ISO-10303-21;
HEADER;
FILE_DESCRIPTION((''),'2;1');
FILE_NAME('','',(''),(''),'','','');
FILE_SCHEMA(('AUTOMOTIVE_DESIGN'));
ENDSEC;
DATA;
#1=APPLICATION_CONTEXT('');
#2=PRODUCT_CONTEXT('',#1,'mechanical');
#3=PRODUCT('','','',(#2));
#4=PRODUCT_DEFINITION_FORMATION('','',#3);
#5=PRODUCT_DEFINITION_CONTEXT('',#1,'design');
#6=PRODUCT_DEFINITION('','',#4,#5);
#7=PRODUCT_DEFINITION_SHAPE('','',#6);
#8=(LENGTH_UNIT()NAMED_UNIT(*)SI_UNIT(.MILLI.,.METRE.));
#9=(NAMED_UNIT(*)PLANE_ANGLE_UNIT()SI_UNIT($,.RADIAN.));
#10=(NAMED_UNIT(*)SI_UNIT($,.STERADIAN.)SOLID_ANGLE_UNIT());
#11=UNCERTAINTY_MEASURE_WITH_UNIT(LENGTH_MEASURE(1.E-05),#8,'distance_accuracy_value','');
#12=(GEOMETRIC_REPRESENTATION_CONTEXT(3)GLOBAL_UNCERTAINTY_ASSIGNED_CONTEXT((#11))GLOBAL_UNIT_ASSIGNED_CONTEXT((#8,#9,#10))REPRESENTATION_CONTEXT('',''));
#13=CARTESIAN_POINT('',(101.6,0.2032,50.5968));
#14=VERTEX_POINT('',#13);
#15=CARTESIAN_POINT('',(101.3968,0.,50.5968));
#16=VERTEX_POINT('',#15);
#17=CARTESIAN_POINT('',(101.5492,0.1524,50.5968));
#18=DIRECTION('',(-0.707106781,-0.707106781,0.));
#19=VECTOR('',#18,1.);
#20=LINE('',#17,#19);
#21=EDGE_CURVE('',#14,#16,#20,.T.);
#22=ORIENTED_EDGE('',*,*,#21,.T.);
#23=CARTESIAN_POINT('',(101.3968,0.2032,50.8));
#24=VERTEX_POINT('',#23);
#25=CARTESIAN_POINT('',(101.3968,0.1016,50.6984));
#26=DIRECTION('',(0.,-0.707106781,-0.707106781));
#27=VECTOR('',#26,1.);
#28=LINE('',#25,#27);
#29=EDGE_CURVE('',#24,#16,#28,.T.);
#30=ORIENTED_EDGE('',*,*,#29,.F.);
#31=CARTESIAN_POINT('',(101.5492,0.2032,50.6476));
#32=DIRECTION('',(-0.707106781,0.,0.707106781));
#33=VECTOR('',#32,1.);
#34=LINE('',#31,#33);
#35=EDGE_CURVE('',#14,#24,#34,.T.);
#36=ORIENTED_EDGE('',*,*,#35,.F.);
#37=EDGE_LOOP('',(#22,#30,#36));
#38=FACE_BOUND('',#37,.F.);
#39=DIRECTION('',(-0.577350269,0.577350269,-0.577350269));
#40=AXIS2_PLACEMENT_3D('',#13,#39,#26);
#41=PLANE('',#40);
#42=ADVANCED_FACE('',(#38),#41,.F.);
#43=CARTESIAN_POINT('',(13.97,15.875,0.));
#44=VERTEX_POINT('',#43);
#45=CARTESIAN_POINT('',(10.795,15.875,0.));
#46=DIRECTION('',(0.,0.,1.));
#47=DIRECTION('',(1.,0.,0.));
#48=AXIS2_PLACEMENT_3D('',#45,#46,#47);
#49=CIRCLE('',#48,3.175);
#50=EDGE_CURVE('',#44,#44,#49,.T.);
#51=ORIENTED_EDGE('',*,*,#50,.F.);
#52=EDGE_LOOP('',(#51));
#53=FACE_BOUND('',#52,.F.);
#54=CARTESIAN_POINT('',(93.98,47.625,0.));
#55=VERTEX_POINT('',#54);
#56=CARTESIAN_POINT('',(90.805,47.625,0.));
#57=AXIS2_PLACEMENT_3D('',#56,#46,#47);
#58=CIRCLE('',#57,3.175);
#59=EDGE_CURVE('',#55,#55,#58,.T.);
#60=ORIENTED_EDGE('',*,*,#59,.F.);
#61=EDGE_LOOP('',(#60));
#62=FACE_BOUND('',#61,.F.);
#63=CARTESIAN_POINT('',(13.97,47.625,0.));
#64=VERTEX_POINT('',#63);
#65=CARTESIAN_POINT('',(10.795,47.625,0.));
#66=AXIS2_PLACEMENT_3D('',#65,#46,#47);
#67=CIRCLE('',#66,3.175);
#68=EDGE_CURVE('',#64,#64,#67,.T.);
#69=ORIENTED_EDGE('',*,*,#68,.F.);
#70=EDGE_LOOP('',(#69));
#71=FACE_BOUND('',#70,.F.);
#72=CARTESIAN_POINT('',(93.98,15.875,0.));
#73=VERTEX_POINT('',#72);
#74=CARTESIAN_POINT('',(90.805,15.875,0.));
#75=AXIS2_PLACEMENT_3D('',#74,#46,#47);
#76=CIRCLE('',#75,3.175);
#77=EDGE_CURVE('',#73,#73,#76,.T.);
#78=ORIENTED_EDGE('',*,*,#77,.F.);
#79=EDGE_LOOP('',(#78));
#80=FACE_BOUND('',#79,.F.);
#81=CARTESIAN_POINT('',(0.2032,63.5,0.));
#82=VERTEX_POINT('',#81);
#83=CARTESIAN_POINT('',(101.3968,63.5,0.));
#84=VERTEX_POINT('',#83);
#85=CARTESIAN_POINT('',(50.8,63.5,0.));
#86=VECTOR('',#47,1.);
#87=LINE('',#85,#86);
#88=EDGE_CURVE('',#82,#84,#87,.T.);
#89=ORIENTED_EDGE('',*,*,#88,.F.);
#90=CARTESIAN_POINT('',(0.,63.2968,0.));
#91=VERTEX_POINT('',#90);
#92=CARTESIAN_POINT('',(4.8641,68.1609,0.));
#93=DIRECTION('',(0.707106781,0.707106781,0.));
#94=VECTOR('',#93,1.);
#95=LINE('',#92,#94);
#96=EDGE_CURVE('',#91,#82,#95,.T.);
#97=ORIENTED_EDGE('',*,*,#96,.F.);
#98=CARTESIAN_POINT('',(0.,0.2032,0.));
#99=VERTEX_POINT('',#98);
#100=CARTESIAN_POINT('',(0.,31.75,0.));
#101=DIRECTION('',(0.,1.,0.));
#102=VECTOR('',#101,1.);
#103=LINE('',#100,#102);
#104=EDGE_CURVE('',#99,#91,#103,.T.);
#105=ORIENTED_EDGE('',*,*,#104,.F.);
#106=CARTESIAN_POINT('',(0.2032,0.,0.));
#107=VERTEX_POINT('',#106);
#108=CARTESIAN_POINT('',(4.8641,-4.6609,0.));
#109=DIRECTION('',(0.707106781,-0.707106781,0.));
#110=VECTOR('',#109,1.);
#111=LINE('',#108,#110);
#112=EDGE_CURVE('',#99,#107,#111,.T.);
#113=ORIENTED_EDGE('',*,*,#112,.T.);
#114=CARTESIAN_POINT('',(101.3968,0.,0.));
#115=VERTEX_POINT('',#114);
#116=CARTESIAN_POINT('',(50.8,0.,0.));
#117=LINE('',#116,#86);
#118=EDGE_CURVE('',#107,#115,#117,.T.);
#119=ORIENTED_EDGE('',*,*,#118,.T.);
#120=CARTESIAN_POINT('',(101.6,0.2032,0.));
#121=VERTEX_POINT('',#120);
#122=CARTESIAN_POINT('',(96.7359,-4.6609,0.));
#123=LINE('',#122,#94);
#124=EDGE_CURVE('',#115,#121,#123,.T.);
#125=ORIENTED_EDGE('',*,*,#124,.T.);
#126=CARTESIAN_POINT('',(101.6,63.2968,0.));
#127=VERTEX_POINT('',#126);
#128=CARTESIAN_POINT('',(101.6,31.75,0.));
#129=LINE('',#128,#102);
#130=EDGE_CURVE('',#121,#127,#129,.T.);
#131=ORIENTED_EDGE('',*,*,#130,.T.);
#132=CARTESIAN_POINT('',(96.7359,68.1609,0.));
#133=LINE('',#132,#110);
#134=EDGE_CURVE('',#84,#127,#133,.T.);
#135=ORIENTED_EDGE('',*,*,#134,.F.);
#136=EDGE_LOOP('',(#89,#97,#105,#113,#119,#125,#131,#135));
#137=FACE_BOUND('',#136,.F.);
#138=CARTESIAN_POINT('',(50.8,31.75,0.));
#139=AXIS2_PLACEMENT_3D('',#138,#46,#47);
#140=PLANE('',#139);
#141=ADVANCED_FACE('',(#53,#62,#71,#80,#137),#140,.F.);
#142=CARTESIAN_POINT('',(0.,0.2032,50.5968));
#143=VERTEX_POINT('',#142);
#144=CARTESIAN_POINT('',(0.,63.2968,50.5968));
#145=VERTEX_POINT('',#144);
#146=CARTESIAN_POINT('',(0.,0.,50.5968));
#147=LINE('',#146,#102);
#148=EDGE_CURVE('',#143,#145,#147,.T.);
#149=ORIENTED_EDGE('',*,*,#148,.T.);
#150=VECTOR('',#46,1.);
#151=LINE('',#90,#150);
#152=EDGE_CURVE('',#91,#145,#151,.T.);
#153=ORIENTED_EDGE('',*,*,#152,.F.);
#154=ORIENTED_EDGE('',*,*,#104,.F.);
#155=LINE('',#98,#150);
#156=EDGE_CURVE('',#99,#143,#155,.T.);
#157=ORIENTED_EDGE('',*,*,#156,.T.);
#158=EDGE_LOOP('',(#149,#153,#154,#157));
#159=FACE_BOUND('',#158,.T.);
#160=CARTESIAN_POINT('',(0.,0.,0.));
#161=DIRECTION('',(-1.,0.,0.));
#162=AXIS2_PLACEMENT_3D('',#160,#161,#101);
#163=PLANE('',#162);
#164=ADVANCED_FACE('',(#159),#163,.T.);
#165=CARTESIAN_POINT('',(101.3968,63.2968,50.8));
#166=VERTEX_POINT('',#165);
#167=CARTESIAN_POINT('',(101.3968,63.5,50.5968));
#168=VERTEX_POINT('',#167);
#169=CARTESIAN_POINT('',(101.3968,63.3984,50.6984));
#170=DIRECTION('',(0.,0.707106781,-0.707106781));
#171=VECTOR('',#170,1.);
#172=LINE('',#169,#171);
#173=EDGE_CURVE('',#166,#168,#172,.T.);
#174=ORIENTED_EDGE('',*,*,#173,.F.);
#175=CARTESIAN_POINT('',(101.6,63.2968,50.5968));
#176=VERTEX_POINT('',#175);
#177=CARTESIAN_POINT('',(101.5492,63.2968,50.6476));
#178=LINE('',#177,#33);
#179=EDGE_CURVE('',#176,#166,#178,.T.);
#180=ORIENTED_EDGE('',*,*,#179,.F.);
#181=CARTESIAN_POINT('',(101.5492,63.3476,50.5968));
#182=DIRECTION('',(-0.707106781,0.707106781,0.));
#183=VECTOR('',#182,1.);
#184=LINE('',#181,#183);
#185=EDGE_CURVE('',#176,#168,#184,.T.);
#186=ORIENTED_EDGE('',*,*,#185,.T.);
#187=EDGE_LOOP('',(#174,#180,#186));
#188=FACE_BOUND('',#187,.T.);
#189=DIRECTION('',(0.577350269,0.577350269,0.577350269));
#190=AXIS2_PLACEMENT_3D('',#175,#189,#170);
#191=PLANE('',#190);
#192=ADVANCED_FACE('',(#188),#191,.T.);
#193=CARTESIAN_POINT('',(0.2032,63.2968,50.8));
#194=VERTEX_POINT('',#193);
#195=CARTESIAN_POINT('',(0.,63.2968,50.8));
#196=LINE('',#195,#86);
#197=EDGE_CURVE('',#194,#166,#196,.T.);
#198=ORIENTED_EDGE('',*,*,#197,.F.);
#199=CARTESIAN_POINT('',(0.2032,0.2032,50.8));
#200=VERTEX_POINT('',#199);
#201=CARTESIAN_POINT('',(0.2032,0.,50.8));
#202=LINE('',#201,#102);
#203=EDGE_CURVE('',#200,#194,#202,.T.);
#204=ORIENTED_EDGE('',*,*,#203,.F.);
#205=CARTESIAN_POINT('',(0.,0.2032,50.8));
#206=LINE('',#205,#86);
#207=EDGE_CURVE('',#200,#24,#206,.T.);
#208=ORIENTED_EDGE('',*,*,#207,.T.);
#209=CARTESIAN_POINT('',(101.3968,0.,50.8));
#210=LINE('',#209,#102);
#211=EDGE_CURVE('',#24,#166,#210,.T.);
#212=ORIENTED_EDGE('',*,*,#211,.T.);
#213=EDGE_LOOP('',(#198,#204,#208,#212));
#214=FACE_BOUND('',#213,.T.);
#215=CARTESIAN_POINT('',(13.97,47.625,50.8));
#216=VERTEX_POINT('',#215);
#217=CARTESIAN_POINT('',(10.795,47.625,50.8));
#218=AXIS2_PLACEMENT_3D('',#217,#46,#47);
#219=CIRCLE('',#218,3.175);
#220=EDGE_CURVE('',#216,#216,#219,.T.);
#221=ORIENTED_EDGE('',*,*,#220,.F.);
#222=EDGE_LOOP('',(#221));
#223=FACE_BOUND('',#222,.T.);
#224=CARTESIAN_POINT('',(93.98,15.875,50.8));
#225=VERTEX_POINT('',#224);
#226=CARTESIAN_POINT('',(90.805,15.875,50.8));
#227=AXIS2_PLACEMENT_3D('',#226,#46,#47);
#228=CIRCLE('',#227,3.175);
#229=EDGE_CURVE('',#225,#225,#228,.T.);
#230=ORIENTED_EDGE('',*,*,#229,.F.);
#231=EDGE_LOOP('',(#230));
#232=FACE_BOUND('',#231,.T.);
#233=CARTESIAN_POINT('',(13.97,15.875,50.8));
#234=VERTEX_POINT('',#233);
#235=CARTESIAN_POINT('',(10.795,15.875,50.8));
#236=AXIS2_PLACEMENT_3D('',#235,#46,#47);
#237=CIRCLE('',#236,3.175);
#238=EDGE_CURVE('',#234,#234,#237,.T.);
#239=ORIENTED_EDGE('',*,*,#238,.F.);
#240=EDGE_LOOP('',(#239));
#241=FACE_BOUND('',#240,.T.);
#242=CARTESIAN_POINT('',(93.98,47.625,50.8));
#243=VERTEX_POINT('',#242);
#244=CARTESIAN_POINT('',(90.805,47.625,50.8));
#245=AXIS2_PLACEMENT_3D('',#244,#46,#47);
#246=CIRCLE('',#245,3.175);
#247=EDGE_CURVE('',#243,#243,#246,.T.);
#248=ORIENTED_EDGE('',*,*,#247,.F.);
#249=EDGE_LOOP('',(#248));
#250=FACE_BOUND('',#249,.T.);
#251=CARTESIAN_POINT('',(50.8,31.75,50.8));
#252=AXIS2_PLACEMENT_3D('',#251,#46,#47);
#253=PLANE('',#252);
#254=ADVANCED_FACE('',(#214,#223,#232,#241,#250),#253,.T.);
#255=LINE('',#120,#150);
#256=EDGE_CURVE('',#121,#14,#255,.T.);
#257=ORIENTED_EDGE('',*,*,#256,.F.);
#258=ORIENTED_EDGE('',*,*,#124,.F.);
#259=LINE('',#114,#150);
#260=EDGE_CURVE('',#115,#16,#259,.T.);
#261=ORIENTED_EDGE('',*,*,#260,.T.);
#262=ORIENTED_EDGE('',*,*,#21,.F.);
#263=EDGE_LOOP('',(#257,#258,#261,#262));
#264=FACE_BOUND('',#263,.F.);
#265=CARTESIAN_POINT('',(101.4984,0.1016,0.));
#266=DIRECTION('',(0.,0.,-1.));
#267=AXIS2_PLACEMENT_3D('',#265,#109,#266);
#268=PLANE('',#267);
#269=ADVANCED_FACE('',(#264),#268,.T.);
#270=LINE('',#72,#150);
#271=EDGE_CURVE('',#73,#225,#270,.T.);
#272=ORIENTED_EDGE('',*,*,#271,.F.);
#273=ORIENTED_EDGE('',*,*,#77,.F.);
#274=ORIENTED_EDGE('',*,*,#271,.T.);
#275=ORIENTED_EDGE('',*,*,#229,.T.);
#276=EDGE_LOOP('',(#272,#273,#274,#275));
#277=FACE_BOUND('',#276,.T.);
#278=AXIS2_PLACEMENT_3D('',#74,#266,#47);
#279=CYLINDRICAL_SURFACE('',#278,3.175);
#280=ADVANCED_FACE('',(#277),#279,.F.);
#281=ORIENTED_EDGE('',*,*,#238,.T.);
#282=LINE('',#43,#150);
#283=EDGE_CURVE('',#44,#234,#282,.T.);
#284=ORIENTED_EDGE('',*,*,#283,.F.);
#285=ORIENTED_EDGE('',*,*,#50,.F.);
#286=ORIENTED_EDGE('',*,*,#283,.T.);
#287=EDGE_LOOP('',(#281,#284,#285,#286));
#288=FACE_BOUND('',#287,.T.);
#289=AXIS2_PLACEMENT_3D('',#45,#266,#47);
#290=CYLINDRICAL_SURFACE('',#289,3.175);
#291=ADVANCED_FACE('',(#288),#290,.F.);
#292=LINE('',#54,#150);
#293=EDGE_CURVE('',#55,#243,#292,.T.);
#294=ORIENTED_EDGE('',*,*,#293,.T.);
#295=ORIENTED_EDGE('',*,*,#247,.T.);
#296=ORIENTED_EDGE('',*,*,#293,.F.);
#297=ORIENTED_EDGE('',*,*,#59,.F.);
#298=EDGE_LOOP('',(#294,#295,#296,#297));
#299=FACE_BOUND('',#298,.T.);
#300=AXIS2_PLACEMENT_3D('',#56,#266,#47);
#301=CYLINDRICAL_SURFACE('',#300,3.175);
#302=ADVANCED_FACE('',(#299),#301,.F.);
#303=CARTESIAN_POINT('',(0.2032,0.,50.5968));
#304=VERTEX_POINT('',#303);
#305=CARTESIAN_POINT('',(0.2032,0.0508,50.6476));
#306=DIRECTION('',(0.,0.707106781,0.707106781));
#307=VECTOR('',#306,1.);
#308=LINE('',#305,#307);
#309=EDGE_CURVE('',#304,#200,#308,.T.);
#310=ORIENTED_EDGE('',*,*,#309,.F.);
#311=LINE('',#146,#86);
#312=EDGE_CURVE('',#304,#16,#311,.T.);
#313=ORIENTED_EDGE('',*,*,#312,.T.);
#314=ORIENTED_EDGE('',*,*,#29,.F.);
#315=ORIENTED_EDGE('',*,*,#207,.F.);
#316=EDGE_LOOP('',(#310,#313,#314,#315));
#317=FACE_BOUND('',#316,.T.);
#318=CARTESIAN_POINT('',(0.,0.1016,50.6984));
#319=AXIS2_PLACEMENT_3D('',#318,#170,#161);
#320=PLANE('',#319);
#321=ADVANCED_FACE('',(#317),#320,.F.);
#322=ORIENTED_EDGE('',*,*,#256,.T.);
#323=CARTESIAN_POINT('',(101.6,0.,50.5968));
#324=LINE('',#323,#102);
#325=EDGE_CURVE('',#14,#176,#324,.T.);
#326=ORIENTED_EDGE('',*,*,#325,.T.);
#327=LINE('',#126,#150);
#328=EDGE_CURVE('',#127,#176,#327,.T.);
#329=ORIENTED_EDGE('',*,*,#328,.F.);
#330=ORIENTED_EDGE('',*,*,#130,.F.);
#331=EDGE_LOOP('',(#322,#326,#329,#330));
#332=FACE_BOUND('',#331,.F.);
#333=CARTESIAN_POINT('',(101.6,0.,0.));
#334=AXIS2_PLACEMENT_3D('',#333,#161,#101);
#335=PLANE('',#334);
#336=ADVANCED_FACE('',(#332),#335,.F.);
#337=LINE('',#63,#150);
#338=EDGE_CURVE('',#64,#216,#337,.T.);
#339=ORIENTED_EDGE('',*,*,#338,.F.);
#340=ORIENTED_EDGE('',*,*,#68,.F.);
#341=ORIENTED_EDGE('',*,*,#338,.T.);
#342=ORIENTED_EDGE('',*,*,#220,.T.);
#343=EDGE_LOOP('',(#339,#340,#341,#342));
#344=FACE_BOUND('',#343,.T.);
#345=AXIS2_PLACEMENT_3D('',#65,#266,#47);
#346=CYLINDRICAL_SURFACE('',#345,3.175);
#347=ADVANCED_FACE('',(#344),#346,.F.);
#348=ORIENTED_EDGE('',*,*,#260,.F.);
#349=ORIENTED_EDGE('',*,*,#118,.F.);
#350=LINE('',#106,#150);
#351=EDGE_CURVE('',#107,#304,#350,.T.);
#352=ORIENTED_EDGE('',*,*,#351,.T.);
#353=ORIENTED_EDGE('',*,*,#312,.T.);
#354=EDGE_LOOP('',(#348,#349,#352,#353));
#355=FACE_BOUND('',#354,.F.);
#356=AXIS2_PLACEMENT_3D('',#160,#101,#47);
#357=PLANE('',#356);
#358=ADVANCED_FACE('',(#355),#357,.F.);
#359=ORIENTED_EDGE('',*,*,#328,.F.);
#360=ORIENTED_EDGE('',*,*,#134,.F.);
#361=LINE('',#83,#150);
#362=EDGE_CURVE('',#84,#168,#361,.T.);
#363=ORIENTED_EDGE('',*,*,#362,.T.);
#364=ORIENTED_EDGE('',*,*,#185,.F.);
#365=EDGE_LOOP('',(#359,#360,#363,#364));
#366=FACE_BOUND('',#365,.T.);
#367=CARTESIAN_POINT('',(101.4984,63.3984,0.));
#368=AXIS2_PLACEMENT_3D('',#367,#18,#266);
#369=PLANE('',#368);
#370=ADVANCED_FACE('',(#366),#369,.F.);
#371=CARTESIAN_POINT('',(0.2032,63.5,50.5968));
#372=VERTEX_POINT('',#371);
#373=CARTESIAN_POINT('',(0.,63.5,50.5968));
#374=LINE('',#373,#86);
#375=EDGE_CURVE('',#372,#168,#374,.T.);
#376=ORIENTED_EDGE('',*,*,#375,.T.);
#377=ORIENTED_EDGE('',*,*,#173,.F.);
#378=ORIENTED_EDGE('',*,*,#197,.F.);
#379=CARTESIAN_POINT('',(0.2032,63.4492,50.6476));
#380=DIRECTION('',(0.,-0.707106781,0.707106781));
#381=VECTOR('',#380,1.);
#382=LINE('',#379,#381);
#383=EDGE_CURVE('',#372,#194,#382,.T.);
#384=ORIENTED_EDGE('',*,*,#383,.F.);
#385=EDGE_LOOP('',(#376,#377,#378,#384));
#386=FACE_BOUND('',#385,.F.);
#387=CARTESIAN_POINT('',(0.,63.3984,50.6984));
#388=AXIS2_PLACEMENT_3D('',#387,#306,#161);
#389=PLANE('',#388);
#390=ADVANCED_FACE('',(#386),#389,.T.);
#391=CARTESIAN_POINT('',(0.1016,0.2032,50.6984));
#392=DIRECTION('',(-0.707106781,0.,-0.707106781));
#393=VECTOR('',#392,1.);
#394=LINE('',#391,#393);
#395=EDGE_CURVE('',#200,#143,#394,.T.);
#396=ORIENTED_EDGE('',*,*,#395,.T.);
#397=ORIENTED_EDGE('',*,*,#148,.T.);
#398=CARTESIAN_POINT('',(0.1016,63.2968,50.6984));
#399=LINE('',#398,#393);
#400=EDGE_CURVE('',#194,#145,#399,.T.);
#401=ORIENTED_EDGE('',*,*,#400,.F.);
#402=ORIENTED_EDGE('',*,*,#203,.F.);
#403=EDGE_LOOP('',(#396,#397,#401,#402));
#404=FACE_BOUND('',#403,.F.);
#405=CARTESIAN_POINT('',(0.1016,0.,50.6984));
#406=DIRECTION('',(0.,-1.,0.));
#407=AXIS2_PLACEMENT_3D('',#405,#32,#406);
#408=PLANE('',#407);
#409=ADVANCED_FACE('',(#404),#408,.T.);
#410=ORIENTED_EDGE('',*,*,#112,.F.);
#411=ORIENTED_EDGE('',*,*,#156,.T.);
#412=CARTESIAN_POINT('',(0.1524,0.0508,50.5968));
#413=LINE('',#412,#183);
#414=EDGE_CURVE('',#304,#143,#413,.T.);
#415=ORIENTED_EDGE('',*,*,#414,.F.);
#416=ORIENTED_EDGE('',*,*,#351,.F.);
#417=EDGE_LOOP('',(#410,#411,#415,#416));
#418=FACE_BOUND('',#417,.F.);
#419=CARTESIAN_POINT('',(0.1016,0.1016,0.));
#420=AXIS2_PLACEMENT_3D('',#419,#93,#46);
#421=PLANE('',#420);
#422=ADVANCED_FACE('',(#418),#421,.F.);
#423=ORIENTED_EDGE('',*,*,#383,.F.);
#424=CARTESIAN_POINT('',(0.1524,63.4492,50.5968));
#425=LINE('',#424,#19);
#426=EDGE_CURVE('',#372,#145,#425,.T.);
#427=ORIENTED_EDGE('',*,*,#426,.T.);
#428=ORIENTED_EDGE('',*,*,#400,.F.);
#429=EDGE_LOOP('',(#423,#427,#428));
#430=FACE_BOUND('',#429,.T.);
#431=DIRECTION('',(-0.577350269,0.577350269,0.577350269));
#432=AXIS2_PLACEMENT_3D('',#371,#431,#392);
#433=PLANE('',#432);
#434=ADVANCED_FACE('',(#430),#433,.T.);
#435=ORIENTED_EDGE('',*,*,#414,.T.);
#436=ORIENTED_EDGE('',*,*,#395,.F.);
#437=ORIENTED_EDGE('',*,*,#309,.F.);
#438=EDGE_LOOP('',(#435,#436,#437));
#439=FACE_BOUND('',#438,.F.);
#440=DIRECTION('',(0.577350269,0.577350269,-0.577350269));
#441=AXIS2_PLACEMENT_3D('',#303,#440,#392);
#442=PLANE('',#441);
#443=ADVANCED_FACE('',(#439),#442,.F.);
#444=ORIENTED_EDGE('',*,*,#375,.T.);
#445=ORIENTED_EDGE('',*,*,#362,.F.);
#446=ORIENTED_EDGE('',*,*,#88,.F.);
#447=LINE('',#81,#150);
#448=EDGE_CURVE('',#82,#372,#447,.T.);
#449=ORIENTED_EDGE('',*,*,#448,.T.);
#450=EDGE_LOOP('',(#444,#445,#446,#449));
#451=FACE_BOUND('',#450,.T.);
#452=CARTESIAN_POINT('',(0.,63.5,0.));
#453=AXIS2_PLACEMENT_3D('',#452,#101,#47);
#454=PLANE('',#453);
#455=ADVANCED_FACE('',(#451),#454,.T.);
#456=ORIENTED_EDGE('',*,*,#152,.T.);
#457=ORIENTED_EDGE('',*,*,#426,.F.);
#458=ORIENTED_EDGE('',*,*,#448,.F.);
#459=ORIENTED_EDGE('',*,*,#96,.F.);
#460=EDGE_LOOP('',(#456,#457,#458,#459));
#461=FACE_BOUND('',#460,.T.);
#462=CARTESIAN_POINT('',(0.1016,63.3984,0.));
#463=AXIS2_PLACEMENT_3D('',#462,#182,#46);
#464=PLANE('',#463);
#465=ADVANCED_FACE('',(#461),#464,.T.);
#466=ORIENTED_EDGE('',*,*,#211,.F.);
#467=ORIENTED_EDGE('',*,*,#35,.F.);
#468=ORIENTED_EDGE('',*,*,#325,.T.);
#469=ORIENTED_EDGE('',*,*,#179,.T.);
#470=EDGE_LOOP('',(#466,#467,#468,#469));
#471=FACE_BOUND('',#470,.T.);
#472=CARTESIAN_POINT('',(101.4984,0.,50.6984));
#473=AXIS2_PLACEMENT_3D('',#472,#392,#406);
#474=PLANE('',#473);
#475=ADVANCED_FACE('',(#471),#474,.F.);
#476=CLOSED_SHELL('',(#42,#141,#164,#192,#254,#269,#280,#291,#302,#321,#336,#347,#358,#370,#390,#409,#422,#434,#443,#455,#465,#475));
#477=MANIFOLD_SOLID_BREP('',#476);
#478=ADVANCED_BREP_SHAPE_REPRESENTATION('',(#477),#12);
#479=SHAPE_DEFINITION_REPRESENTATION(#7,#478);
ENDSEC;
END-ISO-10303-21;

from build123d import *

# Parameters (mm, degrees)
F0_W     = 101.6
F0_H     = 63.5
F0_R     = 3.175
F1_DEPTH = 50.8
F2_SIZE  = 0.2032


with BuildPart() as f1:
    # F0 (on Top) → F1 (new body)
    with BuildSketch(Plane.XY):
        with Locations((50.8, 31.75)):
            Rectangle(F0_W, F0_H)
        with Locations((10.795, 15.875)):
            Circle(F0_R, mode=Mode.SUBTRACT)
        with Locations((90.805, 15.875)):
            Circle(F0_R, mode=Mode.SUBTRACT)
        with Locations((10.795, 47.625)):
            Circle(F0_R, mode=Mode.SUBTRACT)
        with Locations((90.805, 47.625)):
            Circle(F0_R, mode=Mode.SUBTRACT)
    extrude(amount=F1_DEPTH)

    # F2
    f2_edges = [f1.edges().sort_by_distance(p)[0] for p in [
        (0, 31.75, 50.8),
        (50.8, 0, 50.8),
        (50.8, 63.5, 50.8),
        (101.6, 31.75, 50.8),
        (101.6, 0, 25.4),
        (101.6, 63.5, 25.4),
        (0, 0, 25.4),
        (0, 63.5, 25.4),
    ]]
    chamfer(f2_edges, length=F2_SIZE)


solid = f1.part
